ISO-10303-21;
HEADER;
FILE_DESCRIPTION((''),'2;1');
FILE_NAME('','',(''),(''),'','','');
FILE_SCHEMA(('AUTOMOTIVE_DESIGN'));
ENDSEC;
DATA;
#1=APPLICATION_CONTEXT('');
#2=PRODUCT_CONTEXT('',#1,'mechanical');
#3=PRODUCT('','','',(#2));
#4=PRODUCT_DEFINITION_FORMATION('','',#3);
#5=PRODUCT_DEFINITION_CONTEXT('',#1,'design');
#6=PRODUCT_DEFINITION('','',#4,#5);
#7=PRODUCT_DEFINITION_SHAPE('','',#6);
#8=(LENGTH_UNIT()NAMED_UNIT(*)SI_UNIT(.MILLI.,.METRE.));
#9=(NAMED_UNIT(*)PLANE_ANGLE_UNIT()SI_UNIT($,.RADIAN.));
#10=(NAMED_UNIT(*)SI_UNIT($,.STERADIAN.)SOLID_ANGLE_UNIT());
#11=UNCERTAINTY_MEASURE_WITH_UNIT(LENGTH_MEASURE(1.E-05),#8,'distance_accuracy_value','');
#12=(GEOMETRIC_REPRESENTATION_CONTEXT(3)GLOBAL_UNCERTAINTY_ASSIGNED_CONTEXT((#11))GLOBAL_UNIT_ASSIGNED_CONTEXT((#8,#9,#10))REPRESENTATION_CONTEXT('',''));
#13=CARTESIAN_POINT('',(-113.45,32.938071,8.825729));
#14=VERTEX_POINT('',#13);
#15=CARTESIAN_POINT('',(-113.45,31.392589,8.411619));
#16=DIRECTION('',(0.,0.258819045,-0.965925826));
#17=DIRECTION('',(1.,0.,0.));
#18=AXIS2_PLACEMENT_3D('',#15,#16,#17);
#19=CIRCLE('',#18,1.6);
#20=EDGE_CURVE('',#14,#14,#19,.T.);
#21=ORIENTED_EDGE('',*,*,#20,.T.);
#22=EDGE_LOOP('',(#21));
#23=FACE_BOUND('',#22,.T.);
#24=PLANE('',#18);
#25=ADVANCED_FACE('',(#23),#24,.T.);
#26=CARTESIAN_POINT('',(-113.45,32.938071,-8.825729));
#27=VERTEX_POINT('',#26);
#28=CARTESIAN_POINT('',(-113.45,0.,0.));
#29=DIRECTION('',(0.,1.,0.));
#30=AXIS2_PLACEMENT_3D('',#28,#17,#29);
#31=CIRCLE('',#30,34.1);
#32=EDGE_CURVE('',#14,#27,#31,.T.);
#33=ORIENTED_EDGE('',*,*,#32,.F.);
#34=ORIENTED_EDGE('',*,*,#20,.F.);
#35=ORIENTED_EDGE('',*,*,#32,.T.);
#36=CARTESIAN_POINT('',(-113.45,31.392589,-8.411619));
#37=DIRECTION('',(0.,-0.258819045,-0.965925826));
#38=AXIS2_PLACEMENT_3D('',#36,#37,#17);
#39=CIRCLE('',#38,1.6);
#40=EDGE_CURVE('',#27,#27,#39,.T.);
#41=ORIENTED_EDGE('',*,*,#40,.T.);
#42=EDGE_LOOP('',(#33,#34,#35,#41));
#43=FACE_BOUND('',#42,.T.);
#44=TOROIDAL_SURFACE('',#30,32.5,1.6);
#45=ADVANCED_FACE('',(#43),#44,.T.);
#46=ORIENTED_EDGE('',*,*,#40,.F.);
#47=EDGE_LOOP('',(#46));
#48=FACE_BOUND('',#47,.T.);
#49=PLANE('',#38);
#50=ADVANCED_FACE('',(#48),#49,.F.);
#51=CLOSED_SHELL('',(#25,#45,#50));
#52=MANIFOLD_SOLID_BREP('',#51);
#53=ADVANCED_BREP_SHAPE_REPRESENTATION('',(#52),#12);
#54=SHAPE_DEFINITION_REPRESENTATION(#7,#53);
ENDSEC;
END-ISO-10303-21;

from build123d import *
from build123d.topology import SkipClean

# Parameters (mm, degrees)
SKICA1_R       = 1.6
ROTOVAT1_ANGLE = 330


with BuildPart() as part:
    # Skica1 → Rotovat1 (revolve, symmetric)
    with SkipClean():  # the faces are left unmerged after this step: merging them gives an invalid solid
        with BuildSketch(Plane.XY) as rotovat1_sk:
            with Locations((-113.45, -32.5)):
                Circle(SKICA1_R)
        revolve(axis=Axis((-67.482261058, 0, 0), (-1, 0, 0)), revolution_arc=ROTOVAT1_ANGLE / 2)
        revolve(rotovat1_sk.sketch, axis=Axis((-67.482261058, 0, 0), (1, 0, 0)), revolution_arc=ROTOVAT1_ANGLE / 2)


solid = part.part
